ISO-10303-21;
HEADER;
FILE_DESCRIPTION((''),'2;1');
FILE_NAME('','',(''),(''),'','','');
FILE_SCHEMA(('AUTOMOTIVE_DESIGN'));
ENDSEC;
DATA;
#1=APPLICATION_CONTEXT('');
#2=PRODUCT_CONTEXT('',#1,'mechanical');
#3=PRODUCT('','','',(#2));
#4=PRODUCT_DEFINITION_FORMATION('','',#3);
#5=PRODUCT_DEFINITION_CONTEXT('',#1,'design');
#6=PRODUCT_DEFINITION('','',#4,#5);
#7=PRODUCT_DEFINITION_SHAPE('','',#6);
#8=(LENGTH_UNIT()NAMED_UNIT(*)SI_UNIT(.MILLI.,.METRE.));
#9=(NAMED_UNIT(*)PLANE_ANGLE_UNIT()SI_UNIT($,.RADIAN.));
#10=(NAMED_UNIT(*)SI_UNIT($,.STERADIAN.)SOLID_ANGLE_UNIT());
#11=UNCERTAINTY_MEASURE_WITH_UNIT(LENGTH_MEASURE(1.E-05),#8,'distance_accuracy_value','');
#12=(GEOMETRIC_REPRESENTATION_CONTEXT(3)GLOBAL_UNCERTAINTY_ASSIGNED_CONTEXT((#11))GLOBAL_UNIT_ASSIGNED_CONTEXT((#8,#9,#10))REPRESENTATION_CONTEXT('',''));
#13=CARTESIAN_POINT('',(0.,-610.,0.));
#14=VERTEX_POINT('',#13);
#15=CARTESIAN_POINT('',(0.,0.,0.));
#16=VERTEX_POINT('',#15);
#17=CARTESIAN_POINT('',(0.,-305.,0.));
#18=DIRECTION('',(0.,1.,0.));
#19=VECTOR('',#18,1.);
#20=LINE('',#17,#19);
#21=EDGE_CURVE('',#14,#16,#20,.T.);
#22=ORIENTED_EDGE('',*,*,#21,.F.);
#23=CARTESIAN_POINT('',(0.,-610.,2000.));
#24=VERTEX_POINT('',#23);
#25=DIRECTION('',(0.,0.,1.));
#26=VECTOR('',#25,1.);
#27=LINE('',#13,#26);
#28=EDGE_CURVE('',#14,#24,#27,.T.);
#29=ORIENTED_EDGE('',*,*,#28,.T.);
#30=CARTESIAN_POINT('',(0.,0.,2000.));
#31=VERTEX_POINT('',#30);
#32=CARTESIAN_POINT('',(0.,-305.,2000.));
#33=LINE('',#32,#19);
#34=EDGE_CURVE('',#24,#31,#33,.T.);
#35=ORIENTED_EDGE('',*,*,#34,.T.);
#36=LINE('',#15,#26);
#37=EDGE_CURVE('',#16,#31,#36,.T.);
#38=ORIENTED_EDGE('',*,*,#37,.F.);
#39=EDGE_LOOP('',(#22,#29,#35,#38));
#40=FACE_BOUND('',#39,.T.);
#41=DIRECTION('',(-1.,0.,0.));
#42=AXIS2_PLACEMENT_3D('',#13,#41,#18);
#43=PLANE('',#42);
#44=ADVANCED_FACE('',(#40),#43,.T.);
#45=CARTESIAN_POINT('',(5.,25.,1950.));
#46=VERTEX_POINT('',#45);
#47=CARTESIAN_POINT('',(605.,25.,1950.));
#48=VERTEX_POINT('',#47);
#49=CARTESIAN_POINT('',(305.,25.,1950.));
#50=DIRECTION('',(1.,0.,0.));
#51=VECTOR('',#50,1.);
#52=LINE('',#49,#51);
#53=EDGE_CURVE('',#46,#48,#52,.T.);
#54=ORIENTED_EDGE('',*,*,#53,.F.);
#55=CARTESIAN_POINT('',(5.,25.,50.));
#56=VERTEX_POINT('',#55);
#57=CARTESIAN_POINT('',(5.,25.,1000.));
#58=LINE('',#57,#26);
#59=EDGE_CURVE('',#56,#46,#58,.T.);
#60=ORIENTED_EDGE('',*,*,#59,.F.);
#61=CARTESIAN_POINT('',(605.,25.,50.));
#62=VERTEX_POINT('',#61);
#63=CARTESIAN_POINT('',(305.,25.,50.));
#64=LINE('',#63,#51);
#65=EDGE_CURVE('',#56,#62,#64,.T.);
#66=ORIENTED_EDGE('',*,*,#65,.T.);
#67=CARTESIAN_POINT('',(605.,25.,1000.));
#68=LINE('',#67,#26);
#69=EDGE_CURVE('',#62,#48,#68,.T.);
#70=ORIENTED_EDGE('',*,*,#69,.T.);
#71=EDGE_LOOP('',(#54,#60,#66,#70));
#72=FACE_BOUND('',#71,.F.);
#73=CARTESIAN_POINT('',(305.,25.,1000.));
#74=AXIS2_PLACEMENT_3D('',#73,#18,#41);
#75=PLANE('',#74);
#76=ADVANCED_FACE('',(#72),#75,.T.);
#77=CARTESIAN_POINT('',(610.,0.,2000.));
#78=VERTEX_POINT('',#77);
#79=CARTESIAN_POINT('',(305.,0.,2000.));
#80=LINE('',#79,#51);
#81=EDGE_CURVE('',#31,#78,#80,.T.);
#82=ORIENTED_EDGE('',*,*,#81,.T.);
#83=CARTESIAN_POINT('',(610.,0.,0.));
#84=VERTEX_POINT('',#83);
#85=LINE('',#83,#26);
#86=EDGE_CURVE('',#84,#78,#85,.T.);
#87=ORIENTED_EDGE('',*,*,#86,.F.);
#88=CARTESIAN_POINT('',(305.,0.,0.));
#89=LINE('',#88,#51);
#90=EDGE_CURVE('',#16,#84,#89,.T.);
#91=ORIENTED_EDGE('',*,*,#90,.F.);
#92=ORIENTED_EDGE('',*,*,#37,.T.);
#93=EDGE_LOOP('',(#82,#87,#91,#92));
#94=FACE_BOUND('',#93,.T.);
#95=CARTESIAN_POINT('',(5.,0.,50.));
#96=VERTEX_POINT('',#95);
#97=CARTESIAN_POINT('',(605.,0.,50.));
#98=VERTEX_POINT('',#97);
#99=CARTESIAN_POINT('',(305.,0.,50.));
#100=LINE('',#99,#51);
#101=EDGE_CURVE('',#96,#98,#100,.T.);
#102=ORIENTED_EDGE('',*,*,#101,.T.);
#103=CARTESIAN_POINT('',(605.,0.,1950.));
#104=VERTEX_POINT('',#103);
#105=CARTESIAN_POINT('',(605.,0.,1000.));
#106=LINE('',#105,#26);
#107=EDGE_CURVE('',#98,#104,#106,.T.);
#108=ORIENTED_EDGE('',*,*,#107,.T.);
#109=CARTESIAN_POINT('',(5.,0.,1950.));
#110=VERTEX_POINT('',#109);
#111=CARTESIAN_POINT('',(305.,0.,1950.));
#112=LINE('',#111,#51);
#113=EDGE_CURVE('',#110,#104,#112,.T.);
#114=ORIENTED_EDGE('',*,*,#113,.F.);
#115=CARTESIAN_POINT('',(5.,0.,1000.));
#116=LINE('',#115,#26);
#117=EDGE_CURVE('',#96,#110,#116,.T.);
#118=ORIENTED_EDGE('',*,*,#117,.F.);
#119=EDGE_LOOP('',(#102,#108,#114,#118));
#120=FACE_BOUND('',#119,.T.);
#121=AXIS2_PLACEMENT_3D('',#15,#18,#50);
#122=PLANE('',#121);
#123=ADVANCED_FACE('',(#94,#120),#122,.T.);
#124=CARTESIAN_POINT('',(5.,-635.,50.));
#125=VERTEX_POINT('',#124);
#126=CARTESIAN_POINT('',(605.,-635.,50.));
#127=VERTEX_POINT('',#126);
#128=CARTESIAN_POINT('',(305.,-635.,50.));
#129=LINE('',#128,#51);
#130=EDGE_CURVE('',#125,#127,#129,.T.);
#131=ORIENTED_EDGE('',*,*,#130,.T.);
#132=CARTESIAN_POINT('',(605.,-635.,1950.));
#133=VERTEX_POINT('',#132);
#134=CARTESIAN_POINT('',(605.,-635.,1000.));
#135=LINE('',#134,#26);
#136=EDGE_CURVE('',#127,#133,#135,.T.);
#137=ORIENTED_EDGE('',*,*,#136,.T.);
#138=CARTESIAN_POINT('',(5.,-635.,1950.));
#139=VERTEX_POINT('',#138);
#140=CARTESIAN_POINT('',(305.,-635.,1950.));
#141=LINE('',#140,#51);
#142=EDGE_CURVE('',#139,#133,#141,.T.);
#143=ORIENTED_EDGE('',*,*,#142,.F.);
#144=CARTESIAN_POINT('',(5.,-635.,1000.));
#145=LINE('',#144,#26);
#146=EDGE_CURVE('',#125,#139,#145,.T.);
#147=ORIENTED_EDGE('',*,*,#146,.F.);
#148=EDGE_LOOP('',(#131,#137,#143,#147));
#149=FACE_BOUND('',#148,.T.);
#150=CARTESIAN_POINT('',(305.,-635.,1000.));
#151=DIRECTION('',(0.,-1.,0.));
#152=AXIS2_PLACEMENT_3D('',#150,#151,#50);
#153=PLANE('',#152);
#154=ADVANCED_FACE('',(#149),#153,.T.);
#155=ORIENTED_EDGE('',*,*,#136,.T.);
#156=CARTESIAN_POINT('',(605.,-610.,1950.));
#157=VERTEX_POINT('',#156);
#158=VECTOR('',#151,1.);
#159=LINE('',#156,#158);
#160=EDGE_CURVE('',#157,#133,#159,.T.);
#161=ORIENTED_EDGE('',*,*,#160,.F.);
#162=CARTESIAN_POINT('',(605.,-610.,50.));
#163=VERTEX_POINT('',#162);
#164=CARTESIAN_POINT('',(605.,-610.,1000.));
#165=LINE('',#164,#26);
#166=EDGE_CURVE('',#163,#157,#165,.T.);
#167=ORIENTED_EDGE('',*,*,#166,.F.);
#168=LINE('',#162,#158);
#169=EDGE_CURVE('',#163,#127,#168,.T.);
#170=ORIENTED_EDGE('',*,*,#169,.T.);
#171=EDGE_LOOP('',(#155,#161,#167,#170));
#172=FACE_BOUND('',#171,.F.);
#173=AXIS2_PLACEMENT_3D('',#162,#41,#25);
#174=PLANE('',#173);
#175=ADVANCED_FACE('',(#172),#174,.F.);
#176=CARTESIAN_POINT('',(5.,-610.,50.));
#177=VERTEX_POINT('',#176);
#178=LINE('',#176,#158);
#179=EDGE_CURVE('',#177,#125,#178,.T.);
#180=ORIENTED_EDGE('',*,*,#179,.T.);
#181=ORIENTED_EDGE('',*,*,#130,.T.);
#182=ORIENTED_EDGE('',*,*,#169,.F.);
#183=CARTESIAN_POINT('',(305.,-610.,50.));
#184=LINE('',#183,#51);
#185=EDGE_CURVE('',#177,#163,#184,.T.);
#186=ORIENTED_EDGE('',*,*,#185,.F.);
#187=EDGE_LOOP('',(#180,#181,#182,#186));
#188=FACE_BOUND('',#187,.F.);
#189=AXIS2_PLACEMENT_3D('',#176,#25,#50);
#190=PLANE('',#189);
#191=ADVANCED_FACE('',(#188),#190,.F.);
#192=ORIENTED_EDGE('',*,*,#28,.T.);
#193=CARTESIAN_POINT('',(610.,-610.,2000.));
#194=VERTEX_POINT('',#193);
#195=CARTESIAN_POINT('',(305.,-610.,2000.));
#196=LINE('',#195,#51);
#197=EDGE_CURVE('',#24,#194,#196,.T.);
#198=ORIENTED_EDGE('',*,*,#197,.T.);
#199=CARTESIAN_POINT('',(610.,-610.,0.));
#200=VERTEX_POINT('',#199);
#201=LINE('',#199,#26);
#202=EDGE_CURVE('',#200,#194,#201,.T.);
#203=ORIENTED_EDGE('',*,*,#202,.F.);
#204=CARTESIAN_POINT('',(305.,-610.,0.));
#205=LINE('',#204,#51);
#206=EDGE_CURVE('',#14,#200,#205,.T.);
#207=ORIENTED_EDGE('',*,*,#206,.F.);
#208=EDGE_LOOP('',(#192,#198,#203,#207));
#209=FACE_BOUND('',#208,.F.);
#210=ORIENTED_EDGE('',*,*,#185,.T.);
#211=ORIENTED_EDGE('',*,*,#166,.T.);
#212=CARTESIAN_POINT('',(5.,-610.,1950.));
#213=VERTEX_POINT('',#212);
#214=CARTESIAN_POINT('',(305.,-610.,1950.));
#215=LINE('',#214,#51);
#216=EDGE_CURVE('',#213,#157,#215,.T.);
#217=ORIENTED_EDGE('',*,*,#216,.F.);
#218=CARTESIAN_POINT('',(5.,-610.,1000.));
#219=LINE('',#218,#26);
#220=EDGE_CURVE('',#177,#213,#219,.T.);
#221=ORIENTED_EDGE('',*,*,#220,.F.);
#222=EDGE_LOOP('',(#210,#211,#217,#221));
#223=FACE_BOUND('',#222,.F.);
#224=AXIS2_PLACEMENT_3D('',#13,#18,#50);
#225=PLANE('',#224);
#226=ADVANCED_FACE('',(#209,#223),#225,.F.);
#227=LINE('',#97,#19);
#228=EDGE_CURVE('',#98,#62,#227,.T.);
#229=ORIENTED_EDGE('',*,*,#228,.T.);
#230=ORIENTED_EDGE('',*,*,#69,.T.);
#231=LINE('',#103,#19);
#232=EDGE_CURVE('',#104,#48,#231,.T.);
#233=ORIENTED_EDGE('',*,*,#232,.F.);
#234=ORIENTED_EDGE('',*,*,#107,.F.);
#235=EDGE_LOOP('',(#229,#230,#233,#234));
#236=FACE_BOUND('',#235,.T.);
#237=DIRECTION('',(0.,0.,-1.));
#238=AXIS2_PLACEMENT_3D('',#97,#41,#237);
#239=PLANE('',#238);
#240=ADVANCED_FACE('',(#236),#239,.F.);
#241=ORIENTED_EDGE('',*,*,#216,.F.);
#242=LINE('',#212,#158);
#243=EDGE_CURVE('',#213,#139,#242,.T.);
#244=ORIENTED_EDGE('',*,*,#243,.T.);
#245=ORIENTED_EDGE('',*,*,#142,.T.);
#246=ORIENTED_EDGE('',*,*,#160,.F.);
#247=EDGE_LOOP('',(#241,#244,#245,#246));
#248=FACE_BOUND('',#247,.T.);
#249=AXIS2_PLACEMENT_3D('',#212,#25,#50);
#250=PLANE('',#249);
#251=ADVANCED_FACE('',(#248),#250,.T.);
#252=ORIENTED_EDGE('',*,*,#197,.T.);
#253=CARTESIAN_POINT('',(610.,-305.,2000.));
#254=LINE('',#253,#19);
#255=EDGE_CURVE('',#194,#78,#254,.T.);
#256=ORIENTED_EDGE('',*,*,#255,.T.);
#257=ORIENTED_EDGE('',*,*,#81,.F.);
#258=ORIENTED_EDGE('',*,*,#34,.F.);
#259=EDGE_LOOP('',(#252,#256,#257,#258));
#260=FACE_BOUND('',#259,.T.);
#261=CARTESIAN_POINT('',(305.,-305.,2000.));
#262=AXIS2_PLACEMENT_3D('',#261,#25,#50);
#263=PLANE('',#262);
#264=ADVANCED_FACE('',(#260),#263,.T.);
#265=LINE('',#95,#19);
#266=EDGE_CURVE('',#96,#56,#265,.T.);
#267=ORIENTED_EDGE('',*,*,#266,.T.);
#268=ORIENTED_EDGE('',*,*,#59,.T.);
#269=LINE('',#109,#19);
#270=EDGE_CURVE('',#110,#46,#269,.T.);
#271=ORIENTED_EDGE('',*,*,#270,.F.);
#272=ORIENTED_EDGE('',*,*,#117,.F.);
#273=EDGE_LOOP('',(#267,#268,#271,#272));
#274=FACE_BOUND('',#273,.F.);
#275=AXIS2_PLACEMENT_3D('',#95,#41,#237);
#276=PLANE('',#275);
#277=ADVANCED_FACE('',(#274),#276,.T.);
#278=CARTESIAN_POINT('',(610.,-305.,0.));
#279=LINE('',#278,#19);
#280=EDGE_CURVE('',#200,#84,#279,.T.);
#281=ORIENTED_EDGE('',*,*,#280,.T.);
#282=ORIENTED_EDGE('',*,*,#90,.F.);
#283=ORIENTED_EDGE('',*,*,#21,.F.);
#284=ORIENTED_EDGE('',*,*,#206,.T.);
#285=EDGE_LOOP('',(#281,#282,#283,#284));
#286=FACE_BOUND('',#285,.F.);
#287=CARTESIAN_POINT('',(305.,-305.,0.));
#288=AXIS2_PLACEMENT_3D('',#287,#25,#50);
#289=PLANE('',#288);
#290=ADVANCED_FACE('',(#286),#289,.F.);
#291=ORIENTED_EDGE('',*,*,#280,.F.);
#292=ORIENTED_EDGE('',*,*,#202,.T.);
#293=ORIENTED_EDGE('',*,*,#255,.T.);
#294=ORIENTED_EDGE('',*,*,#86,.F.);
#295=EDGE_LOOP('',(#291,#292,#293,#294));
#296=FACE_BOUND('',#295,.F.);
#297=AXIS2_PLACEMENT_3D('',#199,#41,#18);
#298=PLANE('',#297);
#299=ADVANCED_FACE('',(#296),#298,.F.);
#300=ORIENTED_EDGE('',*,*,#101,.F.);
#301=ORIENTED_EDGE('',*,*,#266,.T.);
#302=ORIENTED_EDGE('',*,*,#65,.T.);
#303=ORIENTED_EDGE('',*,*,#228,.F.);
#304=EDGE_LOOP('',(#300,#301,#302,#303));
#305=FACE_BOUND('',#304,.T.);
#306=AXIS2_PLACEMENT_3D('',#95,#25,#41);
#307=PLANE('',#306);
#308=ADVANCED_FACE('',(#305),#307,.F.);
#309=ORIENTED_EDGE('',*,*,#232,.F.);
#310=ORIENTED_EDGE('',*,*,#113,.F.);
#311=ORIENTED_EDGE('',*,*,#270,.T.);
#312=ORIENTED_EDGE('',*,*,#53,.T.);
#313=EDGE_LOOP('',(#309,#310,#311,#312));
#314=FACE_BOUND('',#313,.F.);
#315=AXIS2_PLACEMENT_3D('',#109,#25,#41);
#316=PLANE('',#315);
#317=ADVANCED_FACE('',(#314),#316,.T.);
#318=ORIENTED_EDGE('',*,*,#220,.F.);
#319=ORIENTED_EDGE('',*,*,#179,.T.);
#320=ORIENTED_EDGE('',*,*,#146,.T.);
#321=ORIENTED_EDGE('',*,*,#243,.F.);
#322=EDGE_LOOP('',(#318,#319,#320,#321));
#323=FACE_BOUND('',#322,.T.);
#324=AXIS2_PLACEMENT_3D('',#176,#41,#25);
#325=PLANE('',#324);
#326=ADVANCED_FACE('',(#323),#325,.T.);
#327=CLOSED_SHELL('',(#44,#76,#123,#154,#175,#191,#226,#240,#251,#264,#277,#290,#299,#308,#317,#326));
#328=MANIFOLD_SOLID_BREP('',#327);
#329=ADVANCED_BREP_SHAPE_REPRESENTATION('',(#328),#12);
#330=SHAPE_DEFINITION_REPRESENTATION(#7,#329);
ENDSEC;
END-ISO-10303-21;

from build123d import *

# Parameters (mm, degrees)
F0_W     = 610
F0_H     = 610
F1_DEPTH = 2000
F2_W     = 600
F2_H     = 1900
F3_DEPTH = 25


with BuildPart() as f1:
    # F0 (on Top) → F1 (new body)
    with BuildSketch(Plane.XY):
        with Locations((305, -305)):
            Rectangle(F0_W, F0_H)
    extrude(amount=F1_DEPTH)

    # F2 (on face) → F3 (join)
    with BuildSketch(Plane.XZ.offset(610)):
        with Locations((305, 1000)):
            Rectangle(F2_W, F2_H)
    extrude(amount=F3_DEPTH)

    # F8: F1 across plane


with BuildPart() as f1_1:
    add(f1.part)
    add(f1.part.mirror(Plane(origin=(0, -305, 2000), x_dir=(1, 0, 0), z_dir=(0, -1, 0))))


solid = f1_1.part
